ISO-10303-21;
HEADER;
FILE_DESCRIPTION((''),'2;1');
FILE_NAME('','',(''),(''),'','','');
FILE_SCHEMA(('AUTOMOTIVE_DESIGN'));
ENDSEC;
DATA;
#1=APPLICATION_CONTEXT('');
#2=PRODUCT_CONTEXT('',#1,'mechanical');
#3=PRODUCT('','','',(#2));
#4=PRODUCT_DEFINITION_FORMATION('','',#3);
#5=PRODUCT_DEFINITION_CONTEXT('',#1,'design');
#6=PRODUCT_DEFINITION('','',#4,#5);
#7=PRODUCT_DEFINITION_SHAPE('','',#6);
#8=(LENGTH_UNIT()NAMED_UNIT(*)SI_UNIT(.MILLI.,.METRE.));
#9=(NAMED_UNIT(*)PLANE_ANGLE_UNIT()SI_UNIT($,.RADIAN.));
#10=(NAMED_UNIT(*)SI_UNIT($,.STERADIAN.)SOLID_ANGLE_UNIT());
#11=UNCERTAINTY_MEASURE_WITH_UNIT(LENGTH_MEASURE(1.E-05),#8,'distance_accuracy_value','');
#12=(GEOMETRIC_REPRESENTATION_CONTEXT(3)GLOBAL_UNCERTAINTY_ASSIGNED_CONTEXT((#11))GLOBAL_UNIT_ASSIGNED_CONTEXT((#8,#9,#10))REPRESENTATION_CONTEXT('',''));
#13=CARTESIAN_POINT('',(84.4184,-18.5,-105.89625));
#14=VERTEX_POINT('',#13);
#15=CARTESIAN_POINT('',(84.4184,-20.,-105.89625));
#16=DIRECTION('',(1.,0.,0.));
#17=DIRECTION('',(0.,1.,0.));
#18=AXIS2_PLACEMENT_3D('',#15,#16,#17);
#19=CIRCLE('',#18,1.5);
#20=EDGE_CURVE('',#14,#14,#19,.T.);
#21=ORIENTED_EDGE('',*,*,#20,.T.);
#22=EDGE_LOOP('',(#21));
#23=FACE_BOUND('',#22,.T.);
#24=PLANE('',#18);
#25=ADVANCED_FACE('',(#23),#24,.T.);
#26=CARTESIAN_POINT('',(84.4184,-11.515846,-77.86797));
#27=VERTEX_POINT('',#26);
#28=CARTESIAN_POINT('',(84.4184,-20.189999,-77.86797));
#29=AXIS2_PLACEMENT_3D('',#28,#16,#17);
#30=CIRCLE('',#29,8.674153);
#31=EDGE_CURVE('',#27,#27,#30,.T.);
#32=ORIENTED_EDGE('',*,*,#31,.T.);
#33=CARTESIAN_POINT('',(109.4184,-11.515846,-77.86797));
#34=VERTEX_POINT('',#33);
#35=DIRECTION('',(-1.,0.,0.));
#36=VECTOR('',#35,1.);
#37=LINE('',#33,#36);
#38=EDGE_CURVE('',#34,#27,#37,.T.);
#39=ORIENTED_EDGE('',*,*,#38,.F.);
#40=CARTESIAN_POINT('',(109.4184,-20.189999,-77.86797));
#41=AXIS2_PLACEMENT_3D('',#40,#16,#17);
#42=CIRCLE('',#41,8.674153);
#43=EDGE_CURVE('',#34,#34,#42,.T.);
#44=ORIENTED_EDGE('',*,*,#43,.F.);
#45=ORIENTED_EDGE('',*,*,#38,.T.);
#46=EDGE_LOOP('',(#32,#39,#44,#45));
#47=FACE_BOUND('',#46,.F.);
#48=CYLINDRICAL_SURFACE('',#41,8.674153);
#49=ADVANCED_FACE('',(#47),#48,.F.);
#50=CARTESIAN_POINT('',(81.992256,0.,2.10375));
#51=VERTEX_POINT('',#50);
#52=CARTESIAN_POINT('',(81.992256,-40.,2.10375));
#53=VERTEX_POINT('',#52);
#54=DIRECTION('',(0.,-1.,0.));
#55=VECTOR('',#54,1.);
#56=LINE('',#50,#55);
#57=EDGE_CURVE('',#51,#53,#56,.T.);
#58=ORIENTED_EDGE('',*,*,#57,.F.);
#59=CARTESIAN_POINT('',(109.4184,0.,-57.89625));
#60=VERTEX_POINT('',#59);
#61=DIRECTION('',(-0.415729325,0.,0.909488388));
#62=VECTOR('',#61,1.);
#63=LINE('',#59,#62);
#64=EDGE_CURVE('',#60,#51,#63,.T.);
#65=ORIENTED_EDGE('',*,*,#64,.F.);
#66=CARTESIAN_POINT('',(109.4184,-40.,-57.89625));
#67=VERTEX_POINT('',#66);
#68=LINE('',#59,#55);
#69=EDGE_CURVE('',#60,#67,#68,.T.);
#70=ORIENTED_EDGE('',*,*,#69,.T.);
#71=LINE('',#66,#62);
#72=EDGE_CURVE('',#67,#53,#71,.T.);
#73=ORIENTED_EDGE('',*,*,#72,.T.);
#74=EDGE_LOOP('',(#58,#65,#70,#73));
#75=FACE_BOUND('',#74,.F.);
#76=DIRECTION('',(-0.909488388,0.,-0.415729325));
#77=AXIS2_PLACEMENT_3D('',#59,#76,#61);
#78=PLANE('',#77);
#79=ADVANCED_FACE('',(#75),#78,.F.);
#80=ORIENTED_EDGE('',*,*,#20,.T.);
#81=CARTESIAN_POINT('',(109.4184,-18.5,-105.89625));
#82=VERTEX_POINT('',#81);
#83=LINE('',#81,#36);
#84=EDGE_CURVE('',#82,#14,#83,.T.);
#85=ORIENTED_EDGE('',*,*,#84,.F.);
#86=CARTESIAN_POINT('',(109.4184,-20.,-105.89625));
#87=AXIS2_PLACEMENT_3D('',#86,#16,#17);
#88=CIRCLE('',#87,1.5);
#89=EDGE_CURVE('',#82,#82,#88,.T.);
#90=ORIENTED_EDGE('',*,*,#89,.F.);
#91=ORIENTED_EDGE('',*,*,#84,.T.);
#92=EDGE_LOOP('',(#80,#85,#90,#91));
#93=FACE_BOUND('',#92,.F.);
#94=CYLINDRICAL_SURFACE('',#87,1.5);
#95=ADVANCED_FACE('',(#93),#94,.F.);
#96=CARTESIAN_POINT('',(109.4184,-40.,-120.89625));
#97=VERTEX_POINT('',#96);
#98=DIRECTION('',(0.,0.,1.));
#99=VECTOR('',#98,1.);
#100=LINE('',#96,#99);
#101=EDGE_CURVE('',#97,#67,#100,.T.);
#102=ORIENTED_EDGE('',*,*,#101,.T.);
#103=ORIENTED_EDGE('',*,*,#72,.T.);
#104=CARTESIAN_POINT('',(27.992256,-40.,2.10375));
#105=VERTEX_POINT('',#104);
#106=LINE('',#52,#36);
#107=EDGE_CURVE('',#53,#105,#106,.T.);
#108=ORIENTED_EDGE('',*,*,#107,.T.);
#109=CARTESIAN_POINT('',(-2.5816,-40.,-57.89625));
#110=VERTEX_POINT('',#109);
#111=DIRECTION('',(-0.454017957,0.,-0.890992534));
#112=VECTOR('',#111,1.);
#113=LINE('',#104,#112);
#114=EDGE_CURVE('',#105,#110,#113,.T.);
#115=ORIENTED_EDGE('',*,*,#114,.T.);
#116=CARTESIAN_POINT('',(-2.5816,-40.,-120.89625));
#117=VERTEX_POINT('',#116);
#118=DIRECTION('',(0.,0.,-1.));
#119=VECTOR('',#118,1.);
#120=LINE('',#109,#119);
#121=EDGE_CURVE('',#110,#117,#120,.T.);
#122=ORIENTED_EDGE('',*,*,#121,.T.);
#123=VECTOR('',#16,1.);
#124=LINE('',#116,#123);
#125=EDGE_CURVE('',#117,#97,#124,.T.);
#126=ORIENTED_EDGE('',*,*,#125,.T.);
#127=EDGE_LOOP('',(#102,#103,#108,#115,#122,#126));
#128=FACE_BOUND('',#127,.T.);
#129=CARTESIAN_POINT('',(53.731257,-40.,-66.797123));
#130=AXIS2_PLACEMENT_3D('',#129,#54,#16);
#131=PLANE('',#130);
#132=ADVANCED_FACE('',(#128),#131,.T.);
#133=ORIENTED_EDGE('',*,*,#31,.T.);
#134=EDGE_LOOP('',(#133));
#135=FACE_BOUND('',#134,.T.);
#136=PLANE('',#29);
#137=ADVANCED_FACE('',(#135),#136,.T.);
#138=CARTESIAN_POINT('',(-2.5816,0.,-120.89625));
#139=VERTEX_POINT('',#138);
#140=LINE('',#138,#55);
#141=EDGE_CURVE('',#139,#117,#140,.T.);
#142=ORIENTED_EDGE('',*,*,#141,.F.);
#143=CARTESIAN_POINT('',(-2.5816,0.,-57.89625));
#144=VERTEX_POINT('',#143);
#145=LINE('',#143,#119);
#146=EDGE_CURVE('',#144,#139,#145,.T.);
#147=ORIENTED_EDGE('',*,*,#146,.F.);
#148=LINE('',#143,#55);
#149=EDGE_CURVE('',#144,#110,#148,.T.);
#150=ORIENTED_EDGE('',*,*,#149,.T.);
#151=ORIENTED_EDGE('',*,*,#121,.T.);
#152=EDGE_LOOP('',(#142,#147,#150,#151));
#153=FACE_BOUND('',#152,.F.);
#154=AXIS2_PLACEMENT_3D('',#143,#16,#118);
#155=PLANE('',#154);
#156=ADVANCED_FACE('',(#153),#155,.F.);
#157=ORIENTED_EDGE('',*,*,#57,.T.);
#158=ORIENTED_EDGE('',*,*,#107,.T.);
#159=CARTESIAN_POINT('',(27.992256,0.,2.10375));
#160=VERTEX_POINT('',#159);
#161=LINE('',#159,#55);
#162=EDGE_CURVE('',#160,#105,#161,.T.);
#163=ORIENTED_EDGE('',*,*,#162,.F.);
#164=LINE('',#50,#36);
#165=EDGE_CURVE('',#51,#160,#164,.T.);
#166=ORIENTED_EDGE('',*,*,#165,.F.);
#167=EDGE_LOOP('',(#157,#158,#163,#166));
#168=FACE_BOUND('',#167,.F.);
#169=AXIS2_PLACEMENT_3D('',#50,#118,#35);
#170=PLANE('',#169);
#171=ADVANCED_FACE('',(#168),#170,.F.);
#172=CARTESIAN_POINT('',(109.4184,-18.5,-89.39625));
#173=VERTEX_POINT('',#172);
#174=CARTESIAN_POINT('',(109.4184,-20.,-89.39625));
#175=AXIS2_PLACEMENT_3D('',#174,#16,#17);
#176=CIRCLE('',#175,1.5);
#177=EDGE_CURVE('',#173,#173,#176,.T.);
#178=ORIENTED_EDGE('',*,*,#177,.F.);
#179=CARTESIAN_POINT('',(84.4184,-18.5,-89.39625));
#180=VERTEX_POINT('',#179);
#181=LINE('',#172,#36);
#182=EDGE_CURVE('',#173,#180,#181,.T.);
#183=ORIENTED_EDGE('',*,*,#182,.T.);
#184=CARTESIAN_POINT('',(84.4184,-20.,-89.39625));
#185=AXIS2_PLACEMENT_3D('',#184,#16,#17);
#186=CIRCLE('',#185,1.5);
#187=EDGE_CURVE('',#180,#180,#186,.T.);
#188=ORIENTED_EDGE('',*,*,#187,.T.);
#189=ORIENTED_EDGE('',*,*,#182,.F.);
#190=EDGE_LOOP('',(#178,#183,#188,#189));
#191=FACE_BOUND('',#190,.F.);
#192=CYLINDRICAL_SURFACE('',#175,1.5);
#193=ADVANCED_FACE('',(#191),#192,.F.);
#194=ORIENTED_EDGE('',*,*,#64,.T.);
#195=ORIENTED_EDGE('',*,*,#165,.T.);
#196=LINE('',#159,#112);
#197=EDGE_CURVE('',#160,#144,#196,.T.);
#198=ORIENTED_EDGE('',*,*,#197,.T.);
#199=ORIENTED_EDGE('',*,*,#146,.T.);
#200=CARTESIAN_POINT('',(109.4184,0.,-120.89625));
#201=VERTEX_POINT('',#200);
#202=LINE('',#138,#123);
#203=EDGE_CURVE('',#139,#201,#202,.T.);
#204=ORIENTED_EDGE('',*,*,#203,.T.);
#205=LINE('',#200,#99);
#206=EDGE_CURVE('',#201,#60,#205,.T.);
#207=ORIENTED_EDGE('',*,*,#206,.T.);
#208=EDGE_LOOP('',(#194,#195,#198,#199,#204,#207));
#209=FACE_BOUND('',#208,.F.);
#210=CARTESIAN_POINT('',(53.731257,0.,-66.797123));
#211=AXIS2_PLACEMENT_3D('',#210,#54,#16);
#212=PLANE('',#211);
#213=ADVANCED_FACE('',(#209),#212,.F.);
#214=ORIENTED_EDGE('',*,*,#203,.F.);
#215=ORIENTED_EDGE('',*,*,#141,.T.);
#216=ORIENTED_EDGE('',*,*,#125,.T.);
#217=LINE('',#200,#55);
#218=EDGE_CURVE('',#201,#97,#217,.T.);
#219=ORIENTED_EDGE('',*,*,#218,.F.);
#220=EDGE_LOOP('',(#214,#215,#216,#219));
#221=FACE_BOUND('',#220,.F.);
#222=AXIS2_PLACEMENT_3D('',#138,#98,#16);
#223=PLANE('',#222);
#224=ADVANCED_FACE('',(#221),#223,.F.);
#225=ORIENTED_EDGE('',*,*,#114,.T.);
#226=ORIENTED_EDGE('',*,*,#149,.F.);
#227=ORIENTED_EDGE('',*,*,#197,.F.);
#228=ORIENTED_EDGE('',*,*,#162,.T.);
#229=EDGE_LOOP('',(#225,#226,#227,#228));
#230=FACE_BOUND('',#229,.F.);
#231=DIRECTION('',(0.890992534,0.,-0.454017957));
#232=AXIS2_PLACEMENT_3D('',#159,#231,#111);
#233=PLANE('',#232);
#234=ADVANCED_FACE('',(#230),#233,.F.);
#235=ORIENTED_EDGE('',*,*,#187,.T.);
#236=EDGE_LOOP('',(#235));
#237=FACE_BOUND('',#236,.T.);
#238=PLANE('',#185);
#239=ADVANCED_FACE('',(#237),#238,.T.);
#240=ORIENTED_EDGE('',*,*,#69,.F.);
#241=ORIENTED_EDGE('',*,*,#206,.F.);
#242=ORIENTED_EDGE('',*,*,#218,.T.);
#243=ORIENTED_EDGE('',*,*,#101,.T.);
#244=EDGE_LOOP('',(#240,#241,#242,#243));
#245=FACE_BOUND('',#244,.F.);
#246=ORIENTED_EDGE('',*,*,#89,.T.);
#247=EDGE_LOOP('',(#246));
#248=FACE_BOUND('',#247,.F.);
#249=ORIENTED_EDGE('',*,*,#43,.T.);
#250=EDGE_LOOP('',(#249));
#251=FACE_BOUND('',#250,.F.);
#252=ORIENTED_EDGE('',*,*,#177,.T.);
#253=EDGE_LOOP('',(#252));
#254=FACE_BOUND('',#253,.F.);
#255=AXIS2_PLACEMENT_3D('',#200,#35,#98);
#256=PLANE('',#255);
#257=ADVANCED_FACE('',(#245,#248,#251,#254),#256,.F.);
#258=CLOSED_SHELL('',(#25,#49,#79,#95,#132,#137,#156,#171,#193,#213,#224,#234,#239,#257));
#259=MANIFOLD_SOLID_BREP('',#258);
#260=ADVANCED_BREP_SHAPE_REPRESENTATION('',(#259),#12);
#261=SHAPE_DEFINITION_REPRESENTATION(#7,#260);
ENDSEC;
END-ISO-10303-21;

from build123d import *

# Parameters (mm, degrees)
F1_DEPTH = 40
F2_R     = 1.5
F3_DEPTH = 25
F4_R     = 8.674153
F5_DEPTH = 25


with BuildPart() as f1:
    # F0 (on Front) → F1 (new body)
    with BuildSketch(Plane.XZ):
        Polygon((76.767643, 2.10375), (27.992256, 2.10375), (-2.5816, -57.89625), (-2.5816, -120.89625), (109.4184, -120.89625), (109.4184, -59.39625), (109.4184, -57.89625), (81.992256, 2.10375), align=None)
    extrude(amount=F1_DEPTH)

    # F2 (on face) → F3 (cut)
    with BuildSketch(Plane.YZ.offset(109.4184)):
        with Locations((-20, -105.89625)):
            Circle(F2_R)
        with Locations((-20, -89.39625)):
            Circle(F2_R)
    extrude(amount=-F3_DEPTH, mode=Mode.SUBTRACT)

    # F4 (on face) → F5 (cut)
    with BuildSketch(Plane.YZ.offset(109.4184)):
        with Locations((-20.189999, -77.86797)):
            Circle(F4_R)
    extrude(amount=-F5_DEPTH, mode=Mode.SUBTRACT)


solid = f1.part
